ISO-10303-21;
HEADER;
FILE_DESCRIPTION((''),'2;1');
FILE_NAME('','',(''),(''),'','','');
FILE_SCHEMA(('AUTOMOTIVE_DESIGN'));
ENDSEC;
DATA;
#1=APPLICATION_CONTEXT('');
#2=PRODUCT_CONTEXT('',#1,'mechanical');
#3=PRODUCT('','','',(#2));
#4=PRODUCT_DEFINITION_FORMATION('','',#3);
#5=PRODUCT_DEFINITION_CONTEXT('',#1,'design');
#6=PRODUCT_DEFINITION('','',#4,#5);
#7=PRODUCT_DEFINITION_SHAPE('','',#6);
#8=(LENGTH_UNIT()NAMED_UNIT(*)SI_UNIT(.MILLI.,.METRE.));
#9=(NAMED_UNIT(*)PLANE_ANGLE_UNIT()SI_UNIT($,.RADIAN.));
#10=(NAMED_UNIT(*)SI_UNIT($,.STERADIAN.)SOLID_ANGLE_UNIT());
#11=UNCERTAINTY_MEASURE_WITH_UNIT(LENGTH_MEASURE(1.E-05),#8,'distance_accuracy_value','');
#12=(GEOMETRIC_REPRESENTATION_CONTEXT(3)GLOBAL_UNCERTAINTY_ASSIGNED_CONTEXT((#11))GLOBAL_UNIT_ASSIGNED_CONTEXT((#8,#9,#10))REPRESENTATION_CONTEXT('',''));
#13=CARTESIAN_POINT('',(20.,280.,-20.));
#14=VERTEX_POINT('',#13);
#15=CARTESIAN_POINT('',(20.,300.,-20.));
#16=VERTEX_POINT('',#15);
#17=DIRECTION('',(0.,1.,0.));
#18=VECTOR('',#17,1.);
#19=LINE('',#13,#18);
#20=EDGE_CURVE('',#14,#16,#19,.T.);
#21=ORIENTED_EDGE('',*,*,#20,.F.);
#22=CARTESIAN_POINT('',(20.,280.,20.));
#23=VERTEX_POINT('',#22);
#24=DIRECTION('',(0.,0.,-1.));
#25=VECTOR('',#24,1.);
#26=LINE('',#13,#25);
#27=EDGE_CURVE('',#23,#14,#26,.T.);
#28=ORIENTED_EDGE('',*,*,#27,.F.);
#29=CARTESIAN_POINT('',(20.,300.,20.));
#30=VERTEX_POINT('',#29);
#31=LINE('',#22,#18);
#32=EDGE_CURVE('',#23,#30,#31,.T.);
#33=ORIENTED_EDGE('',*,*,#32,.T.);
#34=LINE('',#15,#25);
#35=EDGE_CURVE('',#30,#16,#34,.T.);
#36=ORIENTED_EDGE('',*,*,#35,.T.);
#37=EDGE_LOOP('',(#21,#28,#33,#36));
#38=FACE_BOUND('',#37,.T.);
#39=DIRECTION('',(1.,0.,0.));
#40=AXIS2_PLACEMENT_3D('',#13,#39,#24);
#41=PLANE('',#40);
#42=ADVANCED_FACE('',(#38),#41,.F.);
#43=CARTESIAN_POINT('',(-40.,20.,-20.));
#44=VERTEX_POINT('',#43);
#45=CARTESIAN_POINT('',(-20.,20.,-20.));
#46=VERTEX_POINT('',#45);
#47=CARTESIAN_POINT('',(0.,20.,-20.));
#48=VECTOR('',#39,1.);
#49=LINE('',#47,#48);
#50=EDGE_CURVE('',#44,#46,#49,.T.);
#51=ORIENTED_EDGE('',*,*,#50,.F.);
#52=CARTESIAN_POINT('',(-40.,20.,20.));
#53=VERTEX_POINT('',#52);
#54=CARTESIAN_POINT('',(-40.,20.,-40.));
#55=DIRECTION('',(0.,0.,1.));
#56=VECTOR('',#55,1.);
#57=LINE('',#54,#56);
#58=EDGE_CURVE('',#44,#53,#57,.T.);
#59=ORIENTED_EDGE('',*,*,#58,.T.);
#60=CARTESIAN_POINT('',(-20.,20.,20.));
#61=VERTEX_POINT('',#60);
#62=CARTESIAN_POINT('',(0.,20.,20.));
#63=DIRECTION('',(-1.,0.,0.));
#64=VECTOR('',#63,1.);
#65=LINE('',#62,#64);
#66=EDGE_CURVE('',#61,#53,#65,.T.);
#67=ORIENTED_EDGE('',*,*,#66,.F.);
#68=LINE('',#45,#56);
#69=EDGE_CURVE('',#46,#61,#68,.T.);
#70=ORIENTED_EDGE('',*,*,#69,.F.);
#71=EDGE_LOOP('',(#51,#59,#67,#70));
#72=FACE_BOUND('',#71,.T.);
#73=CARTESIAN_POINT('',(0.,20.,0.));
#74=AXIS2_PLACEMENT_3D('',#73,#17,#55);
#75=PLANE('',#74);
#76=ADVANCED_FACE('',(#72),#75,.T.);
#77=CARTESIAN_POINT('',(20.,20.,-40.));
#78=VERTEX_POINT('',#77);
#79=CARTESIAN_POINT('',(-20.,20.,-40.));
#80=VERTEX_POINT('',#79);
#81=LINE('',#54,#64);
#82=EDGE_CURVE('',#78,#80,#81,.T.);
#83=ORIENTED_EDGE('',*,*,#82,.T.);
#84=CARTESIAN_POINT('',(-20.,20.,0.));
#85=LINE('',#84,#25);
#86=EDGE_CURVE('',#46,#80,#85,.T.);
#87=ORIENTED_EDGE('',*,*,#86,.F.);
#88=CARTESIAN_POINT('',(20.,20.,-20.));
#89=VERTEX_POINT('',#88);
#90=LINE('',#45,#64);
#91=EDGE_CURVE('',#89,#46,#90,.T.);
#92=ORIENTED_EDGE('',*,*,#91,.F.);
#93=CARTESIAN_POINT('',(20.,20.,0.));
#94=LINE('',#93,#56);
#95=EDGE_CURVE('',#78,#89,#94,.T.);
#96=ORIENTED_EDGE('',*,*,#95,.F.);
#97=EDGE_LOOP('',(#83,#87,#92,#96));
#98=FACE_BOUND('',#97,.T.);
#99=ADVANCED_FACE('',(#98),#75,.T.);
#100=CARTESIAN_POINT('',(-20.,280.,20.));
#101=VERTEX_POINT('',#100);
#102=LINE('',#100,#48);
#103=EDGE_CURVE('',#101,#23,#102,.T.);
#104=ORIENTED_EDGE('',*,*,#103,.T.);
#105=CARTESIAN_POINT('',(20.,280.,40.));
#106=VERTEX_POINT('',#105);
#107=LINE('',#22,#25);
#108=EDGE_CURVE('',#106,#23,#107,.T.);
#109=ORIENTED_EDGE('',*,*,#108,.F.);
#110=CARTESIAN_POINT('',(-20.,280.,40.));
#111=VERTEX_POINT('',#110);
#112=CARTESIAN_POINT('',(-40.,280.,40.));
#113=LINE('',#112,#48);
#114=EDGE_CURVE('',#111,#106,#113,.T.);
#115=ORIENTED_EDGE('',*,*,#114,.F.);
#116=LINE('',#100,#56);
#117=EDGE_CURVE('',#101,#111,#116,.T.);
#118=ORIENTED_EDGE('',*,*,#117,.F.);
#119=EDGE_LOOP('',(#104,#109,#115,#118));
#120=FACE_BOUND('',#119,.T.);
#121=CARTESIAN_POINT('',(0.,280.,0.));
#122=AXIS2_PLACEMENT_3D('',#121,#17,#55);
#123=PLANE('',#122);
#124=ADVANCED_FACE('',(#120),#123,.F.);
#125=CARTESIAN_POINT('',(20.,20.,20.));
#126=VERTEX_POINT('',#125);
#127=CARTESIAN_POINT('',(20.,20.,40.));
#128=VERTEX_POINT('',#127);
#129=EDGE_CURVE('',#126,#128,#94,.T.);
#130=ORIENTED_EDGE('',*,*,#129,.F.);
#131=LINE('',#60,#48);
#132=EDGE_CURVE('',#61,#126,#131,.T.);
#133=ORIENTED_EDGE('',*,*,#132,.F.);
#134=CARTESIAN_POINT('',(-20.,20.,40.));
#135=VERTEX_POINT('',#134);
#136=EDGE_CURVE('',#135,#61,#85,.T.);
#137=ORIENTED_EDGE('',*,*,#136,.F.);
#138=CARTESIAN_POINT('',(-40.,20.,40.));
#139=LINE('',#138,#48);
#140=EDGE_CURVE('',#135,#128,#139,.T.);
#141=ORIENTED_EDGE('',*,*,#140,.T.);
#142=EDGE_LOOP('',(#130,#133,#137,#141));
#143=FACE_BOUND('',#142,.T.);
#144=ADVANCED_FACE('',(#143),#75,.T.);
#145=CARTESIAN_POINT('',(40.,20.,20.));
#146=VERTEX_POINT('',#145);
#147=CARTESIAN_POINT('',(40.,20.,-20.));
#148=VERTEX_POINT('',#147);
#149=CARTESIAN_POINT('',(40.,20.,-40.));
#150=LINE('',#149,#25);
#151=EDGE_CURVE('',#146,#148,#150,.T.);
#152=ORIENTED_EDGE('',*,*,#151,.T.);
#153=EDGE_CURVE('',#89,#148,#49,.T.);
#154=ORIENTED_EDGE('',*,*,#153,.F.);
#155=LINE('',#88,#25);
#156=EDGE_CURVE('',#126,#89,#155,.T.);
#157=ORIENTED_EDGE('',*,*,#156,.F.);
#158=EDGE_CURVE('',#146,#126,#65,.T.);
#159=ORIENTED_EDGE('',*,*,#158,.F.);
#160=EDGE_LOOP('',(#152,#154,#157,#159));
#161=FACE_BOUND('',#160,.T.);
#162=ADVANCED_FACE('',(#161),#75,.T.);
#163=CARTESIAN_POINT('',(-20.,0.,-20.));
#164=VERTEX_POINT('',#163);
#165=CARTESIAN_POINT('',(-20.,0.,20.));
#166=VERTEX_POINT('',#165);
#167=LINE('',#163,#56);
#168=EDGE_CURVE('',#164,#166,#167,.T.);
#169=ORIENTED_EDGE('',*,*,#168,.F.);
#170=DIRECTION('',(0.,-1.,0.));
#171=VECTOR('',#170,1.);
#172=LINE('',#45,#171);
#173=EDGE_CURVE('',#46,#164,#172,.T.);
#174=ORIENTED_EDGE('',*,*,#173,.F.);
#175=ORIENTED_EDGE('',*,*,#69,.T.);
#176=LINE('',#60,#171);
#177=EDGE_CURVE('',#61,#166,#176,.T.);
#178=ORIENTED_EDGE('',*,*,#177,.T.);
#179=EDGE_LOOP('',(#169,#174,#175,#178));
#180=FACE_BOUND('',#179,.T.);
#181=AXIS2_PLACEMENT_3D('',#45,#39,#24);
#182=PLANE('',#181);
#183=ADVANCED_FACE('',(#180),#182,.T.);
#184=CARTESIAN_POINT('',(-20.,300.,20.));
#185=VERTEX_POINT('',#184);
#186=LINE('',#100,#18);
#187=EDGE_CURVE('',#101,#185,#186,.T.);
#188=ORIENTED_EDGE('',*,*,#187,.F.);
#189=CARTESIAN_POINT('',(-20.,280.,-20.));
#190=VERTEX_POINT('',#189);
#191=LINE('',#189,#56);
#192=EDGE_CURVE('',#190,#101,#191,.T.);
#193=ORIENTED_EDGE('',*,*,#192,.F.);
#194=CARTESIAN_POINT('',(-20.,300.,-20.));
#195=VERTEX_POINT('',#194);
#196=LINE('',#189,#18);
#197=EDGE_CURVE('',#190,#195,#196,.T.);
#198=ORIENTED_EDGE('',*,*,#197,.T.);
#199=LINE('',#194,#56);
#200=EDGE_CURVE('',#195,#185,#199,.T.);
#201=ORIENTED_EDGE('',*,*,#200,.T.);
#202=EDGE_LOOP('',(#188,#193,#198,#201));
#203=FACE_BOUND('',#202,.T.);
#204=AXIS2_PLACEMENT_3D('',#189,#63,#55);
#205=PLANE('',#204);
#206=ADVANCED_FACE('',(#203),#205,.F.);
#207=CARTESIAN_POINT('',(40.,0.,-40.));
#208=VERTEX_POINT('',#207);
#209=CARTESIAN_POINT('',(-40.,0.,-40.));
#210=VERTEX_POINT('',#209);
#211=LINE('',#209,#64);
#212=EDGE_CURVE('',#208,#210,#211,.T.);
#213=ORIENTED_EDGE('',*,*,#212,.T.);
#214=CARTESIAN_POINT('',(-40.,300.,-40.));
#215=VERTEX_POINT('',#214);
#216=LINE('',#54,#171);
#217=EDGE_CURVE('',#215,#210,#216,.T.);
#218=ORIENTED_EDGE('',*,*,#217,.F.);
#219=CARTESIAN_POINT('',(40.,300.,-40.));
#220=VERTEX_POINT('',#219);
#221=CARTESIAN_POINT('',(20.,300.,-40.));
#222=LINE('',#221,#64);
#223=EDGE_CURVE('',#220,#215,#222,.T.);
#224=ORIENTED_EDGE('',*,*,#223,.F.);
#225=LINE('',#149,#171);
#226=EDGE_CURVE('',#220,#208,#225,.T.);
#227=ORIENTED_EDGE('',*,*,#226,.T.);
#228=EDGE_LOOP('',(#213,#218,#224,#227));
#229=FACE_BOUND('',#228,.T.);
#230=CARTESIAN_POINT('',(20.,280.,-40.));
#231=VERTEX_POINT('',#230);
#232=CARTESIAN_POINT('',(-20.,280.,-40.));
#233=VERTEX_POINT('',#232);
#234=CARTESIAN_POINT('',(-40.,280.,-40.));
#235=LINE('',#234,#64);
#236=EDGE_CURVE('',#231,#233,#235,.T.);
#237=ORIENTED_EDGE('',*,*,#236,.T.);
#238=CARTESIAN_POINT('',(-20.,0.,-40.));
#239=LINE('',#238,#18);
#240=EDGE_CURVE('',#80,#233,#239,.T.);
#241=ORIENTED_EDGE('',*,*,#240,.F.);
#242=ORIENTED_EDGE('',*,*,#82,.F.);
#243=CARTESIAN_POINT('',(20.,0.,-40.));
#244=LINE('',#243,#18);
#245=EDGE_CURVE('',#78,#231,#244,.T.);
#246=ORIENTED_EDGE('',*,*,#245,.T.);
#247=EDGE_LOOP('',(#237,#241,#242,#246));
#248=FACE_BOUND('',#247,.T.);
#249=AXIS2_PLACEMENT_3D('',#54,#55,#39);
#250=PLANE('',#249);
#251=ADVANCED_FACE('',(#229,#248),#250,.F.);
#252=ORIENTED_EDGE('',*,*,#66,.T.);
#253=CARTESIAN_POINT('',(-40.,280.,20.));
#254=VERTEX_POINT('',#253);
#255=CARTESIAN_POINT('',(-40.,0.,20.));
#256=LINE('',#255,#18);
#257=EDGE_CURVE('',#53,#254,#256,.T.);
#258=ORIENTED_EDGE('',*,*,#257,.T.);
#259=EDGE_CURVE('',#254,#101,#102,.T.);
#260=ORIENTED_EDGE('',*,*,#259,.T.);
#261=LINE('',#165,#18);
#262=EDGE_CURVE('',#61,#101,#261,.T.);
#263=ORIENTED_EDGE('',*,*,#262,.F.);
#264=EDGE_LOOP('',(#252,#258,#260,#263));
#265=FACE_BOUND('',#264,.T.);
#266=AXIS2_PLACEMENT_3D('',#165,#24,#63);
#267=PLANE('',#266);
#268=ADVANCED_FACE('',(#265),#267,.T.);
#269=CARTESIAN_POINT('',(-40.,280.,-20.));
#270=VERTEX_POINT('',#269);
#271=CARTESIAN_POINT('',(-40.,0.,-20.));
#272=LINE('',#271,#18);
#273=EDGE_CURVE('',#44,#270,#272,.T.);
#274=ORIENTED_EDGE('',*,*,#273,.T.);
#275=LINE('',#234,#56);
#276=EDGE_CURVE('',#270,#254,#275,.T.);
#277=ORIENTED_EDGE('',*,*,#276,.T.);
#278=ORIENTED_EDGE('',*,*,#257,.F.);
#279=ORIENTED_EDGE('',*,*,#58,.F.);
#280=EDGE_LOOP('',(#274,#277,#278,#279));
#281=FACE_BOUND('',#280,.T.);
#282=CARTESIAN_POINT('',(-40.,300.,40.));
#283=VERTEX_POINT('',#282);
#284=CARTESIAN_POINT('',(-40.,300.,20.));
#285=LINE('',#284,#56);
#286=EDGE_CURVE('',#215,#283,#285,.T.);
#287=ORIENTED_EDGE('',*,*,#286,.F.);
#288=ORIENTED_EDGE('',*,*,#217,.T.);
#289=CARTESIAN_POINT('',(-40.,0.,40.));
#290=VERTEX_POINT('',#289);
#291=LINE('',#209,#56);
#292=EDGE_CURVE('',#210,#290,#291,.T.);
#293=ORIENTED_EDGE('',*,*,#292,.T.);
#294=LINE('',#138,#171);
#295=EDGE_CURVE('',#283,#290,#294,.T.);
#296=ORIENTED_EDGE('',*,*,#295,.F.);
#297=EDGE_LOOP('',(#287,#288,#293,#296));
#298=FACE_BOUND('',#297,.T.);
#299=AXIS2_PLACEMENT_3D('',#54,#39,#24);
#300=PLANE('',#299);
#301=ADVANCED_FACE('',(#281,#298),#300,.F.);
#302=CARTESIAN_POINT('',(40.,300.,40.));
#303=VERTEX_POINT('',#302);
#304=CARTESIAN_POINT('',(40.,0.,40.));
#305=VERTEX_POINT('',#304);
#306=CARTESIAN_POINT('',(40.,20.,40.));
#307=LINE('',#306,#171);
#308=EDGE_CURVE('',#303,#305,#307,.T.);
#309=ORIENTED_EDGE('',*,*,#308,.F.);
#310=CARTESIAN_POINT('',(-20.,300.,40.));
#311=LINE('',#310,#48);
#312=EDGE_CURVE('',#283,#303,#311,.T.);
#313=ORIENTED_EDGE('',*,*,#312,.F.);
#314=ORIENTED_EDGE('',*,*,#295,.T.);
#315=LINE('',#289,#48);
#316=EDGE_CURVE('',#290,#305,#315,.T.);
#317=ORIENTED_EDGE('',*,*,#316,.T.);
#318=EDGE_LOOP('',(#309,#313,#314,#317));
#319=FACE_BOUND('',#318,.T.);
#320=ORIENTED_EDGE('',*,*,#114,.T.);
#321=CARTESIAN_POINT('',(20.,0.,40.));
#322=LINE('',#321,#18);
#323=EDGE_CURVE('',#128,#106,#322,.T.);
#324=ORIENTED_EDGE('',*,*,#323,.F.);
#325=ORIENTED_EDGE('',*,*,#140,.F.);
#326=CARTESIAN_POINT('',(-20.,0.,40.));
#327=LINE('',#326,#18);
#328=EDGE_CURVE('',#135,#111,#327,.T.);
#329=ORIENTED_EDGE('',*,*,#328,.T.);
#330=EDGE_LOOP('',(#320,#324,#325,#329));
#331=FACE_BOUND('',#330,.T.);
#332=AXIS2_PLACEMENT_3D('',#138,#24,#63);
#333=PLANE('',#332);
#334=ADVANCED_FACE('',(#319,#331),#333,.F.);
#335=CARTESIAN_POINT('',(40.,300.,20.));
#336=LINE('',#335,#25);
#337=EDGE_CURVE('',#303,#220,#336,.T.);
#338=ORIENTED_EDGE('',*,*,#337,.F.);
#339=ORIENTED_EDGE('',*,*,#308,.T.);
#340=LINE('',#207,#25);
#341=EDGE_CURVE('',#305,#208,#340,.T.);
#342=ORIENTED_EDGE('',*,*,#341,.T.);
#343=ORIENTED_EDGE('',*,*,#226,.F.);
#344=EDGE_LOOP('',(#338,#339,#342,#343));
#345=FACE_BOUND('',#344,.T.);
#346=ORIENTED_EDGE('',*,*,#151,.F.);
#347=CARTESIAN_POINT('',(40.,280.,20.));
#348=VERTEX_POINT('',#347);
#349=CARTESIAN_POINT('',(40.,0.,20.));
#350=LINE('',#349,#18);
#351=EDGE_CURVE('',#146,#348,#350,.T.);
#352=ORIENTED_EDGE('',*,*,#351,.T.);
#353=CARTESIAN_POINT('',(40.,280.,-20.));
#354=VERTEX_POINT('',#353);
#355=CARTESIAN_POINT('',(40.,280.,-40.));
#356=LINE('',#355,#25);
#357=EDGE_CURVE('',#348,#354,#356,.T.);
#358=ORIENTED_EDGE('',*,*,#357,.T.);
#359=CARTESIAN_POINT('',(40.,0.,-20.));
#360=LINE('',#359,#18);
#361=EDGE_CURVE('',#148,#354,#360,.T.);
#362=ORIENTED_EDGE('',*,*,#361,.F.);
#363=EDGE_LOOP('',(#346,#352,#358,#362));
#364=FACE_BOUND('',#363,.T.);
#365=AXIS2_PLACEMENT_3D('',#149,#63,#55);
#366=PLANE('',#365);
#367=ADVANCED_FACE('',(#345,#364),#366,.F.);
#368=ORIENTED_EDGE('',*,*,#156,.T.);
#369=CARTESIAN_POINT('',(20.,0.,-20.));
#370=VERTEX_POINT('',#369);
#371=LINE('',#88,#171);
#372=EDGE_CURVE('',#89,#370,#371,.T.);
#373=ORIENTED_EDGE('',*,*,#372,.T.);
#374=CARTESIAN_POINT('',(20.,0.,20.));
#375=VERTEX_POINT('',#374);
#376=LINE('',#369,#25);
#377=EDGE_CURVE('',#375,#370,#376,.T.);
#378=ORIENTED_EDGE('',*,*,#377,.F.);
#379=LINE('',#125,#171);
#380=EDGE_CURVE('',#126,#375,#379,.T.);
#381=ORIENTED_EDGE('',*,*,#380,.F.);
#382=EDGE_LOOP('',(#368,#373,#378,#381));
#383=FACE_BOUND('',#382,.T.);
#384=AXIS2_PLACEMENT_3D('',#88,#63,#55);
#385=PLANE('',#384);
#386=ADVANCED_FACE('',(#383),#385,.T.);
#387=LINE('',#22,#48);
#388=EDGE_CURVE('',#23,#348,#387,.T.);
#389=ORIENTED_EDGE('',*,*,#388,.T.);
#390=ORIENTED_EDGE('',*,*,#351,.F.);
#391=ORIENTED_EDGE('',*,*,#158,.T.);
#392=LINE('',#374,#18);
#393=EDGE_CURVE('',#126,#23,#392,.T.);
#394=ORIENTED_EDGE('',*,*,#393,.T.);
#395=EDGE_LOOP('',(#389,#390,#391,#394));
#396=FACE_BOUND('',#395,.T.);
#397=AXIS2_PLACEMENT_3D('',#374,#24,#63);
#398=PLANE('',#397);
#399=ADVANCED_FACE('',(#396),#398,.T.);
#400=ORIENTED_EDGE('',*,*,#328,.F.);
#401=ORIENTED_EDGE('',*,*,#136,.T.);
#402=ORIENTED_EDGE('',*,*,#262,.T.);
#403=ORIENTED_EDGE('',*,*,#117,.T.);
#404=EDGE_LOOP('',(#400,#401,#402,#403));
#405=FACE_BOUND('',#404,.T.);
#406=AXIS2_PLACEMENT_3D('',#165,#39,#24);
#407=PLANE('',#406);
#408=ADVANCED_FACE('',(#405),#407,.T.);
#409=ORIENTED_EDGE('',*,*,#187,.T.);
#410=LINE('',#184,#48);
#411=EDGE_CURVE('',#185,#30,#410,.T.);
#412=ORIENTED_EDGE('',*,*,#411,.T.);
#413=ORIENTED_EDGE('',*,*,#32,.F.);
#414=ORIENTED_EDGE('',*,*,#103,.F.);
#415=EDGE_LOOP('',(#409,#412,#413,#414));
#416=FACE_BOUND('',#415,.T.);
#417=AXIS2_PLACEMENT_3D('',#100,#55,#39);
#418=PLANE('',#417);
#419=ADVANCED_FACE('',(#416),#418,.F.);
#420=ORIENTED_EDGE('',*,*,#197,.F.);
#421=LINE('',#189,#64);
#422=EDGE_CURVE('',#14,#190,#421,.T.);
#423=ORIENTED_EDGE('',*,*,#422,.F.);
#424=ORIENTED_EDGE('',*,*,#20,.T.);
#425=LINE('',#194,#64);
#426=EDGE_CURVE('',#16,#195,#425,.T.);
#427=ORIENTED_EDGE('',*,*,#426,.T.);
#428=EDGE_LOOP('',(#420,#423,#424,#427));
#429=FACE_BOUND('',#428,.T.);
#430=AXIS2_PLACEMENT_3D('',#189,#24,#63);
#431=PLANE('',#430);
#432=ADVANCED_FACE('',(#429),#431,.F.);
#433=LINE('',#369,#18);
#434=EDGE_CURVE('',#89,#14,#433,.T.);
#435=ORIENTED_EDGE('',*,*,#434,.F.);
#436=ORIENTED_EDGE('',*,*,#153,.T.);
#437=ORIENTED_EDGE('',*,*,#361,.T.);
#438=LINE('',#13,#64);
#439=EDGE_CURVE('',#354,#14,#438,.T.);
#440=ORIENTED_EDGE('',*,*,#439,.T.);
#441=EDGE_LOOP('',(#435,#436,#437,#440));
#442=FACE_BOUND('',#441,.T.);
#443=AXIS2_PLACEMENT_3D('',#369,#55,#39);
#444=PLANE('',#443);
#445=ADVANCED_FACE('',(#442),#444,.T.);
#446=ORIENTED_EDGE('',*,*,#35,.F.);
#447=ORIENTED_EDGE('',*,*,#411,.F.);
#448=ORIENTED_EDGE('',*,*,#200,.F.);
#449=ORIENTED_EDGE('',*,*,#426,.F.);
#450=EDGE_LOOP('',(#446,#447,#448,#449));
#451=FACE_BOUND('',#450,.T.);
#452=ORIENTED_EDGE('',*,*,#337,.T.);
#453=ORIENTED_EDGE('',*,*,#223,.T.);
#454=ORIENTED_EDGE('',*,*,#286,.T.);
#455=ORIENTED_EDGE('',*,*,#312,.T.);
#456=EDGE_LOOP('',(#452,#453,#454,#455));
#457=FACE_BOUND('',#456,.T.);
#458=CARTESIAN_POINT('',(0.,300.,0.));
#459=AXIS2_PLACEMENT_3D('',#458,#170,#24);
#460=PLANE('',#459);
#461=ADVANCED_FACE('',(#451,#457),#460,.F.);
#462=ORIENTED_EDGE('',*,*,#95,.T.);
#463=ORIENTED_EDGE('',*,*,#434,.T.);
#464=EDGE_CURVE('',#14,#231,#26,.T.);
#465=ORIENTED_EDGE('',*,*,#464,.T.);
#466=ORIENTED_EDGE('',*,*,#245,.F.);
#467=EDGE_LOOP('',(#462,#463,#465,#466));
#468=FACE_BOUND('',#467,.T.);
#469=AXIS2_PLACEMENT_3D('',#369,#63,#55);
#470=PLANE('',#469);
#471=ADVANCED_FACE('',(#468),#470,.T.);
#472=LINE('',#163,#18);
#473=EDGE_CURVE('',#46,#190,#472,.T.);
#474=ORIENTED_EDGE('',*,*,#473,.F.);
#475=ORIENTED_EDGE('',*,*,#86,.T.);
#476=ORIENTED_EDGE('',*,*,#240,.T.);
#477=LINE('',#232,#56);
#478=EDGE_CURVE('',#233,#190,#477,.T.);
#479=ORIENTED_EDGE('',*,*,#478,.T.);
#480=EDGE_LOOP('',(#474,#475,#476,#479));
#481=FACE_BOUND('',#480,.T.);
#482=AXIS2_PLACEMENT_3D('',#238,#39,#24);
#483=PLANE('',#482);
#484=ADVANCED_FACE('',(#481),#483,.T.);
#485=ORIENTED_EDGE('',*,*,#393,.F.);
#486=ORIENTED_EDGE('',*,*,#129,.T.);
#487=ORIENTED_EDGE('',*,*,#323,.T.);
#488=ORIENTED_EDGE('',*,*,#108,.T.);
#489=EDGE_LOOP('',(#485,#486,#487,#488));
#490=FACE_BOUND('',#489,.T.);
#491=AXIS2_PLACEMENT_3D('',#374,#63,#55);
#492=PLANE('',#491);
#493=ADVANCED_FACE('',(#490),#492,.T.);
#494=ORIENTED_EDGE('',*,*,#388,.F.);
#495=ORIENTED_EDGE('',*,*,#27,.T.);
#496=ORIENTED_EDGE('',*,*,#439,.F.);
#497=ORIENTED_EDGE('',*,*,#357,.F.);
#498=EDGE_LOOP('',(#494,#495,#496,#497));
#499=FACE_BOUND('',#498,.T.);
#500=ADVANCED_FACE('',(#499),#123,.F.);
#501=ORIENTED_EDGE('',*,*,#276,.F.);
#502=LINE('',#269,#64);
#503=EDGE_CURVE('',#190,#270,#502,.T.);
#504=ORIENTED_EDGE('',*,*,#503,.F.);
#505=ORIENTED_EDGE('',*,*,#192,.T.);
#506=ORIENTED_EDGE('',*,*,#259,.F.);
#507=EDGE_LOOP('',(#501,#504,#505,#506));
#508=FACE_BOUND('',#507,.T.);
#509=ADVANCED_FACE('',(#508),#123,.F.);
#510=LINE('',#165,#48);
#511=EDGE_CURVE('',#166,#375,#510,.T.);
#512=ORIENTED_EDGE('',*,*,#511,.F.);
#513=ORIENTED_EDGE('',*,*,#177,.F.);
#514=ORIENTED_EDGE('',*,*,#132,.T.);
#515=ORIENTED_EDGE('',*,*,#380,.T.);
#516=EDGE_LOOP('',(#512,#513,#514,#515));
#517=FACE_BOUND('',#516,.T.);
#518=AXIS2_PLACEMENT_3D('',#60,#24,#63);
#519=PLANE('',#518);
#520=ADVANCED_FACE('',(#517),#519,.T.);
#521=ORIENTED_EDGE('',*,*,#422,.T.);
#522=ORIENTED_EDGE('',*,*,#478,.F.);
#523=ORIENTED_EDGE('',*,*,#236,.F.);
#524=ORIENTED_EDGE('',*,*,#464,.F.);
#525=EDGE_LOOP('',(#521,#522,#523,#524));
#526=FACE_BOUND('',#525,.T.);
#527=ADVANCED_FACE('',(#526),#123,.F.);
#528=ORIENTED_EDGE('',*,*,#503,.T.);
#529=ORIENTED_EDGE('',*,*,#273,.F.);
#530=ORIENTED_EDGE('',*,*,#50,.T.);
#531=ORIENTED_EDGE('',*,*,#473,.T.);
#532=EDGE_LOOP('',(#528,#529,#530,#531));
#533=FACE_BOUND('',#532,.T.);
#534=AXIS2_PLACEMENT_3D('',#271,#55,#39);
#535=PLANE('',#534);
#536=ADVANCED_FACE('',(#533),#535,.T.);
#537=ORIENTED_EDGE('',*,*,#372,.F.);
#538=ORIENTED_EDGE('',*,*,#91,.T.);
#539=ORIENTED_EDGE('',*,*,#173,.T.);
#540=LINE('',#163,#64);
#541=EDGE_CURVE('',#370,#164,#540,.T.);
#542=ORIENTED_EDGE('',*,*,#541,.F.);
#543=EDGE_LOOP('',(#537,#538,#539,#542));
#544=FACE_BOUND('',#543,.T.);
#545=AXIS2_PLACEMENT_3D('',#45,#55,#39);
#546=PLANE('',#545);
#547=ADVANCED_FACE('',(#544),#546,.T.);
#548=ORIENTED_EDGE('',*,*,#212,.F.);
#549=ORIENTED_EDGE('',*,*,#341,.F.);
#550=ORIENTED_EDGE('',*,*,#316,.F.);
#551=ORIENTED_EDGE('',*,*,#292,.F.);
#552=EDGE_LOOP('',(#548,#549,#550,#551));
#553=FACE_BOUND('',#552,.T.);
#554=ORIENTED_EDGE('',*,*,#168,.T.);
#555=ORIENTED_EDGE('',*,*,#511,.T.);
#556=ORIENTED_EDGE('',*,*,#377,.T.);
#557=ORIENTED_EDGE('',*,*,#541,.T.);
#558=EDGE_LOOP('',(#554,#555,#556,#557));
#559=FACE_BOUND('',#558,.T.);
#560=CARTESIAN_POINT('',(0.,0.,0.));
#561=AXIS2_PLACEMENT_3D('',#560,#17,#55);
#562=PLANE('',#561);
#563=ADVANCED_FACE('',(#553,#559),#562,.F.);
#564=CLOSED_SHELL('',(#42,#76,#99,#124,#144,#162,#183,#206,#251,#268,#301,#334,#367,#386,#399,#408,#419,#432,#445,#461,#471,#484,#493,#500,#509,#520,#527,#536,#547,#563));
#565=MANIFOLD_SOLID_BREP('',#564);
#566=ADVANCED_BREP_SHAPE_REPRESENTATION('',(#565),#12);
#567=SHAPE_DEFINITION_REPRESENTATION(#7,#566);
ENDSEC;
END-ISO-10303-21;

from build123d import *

# Parameters (mm, degrees)
SKETCH1_W           = 80
SKETCH1_H           = 80
SKETCH1_W_2         = 40
SKETCH1_H_2         = 40
BOSS_EXTRUDE1_DEPTH = 20
SKETCH2_W           = 20
SKETCH2_H           = 20
BOSS_EXTRUDE2_DEPTH = 300
SKETCH4_W           = 80
SKETCH4_H           = 80
SKETCH4_W_2         = 40
SKETCH4_H_2         = 40
BOSS_EXTRUDE3_DEPTH = 20


with BuildPart() as part:
    # Sketch1 → Boss-Extrude1 (new body)
    with BuildSketch(Plane(origin=(0, 0, 0), x_dir=(1, 0, 0), z_dir=(0, 1, 0))):
        Rectangle(SKETCH1_W, SKETCH1_H)
        Rectangle(SKETCH1_W_2, SKETCH1_H_2, mode=Mode.SUBTRACT)
    extrude(amount=BOSS_EXTRUDE1_DEPTH)

    # Sketch2 → Boss-Extrude2 (add)
    with BuildSketch(Plane(origin=(0, 300, 0), x_dir=(1, 0, 0), z_dir=(0, 1, 0))):
        with Locations((-30, 30)):
            Rectangle(SKETCH2_W, SKETCH2_H)
        with Locations((30, 30)):
            Rectangle(SKETCH2_W, SKETCH2_H)
        with Locations((30, -30)):
            Rectangle(SKETCH2_W, SKETCH2_H)
        with Locations((-30, -30)):
            Rectangle(SKETCH2_W, SKETCH2_H)
    extrude(amount=-BOSS_EXTRUDE2_DEPTH)

    # Sketch4 → Boss-Extrude3 (add)
    with BuildSketch(Plane(origin=(0, 300, 0), x_dir=(1, 0, 0), z_dir=(0, 1, 0))):
        Rectangle(SKETCH4_W, SKETCH4_H)
        Rectangle(SKETCH4_W_2, SKETCH4_H_2, mode=Mode.SUBTRACT)
    extrude(amount=-BOSS_EXTRUDE3_DEPTH)


solid = part.part
